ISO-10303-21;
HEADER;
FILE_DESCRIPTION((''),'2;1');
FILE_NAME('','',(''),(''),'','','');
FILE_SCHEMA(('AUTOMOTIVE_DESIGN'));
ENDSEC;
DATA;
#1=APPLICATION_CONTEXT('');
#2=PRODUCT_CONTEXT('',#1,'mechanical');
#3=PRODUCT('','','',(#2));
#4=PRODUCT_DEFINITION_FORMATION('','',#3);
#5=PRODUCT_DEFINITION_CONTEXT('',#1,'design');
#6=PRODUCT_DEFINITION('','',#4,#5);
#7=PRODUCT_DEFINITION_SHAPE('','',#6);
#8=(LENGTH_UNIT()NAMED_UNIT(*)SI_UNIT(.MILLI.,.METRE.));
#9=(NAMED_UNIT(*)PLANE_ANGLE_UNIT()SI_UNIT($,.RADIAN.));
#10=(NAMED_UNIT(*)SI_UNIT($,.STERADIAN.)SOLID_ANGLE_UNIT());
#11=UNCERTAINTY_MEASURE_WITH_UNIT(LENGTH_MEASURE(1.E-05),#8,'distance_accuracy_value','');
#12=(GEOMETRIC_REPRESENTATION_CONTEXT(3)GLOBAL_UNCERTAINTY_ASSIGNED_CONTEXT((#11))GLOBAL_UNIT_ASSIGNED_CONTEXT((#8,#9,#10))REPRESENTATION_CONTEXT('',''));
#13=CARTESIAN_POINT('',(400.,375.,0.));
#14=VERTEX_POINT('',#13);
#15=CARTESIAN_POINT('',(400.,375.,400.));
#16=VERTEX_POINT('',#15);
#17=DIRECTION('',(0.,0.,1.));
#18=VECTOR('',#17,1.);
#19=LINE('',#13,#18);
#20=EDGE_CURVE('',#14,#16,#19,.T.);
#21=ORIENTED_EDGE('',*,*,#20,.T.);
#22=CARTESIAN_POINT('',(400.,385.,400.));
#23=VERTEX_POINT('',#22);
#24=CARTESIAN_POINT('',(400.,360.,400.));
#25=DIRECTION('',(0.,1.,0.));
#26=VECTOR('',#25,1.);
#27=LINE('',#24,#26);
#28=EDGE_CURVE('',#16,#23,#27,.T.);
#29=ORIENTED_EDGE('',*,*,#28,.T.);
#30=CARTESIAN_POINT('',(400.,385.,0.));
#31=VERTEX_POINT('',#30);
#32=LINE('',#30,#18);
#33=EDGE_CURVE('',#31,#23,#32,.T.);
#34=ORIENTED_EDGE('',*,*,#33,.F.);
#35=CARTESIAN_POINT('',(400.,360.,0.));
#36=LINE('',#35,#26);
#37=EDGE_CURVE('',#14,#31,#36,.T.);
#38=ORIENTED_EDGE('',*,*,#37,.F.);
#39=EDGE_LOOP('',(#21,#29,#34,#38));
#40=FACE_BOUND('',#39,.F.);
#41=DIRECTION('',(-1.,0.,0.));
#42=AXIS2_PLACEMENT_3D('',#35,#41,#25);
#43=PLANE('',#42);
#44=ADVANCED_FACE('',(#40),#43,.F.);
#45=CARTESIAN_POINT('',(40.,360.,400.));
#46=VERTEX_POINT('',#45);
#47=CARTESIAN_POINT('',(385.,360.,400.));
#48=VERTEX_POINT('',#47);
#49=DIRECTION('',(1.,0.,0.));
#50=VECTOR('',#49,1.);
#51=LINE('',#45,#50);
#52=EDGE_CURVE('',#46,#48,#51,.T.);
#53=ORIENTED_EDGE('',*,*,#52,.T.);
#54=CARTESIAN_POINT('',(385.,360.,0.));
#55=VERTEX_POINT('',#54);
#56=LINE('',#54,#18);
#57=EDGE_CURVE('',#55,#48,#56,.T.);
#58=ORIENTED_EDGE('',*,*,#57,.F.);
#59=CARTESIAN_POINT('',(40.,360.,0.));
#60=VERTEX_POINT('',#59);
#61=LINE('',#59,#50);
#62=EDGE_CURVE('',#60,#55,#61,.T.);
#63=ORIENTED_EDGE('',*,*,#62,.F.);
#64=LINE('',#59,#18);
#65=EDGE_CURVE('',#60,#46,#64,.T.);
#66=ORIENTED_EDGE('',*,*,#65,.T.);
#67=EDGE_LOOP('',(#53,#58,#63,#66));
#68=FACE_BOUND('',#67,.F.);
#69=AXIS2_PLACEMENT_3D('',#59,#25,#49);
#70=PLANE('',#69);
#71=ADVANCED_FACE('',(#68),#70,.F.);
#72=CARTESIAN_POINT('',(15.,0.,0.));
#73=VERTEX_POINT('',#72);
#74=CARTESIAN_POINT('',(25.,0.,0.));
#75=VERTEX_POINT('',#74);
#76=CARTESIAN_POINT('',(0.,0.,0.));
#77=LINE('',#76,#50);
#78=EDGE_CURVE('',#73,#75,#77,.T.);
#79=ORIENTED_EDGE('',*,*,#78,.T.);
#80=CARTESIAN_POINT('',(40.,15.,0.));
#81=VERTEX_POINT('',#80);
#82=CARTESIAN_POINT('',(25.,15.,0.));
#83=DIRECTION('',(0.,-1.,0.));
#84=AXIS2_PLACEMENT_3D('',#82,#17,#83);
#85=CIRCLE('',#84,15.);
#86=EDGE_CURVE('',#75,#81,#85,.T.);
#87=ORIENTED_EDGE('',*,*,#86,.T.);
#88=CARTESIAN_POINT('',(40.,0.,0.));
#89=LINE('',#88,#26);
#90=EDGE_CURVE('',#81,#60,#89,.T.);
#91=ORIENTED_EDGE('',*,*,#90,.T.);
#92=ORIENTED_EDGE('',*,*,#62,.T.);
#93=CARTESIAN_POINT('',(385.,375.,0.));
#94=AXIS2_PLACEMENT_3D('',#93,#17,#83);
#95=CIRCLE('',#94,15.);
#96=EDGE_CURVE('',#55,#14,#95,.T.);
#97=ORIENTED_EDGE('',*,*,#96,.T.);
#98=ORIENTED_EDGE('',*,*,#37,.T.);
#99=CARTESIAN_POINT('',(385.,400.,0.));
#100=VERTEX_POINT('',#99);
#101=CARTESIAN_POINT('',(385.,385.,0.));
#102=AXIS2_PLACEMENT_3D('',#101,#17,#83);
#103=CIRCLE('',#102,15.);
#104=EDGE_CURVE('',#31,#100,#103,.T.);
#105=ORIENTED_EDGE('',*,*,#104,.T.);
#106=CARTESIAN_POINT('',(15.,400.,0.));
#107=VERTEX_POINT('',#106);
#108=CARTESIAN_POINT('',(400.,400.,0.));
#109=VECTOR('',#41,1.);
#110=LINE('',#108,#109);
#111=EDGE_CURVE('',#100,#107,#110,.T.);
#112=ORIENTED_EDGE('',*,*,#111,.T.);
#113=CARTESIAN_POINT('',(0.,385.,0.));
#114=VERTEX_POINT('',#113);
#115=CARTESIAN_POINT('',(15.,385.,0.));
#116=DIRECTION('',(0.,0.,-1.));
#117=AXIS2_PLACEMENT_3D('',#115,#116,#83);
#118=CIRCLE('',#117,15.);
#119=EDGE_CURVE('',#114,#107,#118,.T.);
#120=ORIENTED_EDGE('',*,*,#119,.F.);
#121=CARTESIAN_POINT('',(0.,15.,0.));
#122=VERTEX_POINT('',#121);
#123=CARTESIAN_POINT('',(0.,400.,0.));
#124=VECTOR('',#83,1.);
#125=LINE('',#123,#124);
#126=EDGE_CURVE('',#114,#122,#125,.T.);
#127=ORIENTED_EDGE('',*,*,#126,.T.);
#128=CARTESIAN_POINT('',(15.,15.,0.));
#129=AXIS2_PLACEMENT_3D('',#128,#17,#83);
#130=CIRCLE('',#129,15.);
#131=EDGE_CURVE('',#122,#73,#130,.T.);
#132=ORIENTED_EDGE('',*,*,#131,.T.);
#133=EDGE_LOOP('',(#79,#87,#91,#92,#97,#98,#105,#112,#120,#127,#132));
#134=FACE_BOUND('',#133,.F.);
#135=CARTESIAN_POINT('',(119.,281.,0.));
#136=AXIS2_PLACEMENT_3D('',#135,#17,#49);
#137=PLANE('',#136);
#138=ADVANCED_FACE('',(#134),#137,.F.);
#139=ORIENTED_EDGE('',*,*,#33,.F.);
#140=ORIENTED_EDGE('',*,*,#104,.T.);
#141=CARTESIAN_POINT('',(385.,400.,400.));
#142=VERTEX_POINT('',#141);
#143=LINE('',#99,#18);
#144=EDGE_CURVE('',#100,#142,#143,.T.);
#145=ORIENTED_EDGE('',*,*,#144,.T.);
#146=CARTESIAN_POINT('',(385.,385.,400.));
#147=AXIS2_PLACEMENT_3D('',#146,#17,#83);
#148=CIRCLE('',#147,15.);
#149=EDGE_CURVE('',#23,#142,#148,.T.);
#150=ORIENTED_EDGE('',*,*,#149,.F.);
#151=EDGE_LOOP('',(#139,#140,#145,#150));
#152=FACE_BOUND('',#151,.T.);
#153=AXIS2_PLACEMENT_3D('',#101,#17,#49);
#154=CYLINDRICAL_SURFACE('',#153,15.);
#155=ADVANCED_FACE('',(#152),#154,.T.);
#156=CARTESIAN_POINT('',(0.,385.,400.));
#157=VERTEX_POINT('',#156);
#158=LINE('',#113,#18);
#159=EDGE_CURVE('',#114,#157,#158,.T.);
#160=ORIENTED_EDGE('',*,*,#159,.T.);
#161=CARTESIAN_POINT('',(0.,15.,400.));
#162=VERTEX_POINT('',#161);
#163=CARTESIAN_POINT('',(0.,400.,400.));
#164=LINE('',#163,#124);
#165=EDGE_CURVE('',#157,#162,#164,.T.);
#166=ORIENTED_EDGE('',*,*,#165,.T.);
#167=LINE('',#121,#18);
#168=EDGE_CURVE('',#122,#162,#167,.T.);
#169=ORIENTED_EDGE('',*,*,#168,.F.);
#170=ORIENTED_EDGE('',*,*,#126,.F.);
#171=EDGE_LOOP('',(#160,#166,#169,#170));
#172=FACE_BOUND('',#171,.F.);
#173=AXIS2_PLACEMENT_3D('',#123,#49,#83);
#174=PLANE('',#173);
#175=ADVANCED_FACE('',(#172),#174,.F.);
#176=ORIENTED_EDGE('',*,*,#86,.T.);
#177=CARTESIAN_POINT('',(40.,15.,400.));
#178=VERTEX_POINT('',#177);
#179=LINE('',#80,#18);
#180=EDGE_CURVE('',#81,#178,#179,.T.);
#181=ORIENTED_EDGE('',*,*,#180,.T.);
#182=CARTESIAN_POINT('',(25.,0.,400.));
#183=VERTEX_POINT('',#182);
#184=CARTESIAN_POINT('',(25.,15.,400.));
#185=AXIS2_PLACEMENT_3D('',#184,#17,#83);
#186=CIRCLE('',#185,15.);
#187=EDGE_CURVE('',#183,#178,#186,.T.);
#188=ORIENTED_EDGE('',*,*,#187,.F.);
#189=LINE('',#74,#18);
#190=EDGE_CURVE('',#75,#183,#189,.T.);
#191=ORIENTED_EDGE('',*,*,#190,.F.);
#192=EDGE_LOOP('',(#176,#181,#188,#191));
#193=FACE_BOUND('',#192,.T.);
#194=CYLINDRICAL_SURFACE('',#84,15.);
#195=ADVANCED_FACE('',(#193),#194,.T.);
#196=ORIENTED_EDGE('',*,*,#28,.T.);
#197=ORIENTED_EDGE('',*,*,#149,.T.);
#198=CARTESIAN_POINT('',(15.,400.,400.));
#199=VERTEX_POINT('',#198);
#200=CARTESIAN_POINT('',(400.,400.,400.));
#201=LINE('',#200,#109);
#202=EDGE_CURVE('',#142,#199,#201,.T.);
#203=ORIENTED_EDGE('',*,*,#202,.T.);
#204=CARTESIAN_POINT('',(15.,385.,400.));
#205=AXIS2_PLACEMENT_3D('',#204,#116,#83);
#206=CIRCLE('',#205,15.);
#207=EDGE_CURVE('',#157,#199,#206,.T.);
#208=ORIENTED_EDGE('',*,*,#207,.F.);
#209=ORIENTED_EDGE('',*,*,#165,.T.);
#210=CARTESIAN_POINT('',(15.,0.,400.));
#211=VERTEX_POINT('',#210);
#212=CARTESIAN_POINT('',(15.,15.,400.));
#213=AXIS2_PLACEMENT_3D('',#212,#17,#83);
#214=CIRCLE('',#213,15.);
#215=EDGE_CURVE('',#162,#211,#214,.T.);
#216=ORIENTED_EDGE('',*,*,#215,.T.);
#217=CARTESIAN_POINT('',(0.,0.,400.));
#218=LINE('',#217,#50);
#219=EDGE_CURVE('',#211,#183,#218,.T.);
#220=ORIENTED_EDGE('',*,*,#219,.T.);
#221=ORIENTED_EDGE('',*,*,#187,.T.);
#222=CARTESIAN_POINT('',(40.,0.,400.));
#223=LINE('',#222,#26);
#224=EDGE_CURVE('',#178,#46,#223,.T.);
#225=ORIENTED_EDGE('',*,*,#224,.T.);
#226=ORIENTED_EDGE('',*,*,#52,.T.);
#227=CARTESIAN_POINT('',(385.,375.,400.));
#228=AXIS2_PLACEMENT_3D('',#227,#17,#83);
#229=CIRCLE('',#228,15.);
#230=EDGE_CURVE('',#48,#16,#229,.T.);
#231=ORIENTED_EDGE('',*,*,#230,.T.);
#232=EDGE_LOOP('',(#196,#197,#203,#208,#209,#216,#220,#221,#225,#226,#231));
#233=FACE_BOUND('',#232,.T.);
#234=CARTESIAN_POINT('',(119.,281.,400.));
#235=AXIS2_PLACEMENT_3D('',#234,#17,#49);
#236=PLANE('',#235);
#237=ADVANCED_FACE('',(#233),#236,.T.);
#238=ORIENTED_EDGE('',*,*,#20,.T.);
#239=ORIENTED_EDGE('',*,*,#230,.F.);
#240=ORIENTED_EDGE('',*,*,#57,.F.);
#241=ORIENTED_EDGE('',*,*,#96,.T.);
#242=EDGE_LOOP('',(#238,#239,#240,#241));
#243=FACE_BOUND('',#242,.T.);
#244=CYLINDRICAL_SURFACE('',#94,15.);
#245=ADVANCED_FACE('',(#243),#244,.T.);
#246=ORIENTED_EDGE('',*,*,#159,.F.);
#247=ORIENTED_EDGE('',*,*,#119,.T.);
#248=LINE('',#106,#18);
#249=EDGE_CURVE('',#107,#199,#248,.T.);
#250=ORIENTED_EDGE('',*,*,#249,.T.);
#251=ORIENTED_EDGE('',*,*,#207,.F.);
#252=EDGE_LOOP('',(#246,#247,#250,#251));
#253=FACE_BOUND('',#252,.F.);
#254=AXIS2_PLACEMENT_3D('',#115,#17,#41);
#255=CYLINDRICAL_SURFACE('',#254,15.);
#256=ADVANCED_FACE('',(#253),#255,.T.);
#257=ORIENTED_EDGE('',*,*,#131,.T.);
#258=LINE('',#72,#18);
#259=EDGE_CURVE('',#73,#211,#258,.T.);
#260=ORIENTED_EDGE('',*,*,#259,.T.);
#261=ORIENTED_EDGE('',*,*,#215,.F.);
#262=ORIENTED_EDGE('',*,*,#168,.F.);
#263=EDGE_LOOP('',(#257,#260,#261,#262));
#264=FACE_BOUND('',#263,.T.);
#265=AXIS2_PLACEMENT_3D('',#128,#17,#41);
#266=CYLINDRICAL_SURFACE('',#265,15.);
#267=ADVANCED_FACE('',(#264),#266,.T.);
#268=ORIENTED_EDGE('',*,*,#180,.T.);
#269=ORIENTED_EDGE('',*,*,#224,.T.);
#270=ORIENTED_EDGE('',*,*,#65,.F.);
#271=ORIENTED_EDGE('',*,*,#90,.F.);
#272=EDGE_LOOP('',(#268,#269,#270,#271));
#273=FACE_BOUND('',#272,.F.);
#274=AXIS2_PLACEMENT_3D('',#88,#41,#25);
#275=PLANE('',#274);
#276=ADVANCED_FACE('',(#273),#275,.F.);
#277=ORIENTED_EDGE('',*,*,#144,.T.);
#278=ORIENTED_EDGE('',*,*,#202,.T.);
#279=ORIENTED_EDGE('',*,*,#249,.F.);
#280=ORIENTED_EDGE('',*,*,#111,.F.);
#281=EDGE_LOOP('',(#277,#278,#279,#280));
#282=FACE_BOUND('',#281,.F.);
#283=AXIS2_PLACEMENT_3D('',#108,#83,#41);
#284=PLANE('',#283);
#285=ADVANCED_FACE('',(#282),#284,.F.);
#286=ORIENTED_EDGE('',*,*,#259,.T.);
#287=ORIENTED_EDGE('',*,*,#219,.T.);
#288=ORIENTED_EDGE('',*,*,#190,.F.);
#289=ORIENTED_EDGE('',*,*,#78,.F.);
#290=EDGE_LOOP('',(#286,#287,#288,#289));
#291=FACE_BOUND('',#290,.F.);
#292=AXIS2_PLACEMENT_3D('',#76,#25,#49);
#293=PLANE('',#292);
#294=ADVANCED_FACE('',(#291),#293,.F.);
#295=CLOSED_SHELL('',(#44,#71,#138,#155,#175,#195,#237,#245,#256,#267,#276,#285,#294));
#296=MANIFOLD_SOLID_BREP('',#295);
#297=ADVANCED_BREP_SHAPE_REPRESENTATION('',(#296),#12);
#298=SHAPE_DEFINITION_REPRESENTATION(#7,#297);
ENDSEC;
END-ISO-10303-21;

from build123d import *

# Parameters (mm, degrees)
F1_DEPTH = 400
F2_R     = 15
F3_R     = 15


with BuildPart() as f1:
    # F0 (on Top) → F1 (new body)
    with BuildSketch(Plane.XY):
        Polygon((0, 400), (0, 0), (40, 0), (40, 360), (400, 360), (400, 400), align=None)
    extrude(amount=F1_DEPTH)

    # F2
    f2_edges = [f1.edges().sort_by_distance(p)[0] for p in [
        (40, 0, 200),
        (0, 0, 200),
        (400, 360, 200),
        (400, 400, 200),
    ]]
    fillet(f2_edges, radius=F2_R)

    # F3
    f3_edges = [f1.edges().sort_by_distance(p)[0] for p in [
        (0, 400, 200),
    ]]
    fillet(f3_edges, radius=F3_R)


solid = f1.part
